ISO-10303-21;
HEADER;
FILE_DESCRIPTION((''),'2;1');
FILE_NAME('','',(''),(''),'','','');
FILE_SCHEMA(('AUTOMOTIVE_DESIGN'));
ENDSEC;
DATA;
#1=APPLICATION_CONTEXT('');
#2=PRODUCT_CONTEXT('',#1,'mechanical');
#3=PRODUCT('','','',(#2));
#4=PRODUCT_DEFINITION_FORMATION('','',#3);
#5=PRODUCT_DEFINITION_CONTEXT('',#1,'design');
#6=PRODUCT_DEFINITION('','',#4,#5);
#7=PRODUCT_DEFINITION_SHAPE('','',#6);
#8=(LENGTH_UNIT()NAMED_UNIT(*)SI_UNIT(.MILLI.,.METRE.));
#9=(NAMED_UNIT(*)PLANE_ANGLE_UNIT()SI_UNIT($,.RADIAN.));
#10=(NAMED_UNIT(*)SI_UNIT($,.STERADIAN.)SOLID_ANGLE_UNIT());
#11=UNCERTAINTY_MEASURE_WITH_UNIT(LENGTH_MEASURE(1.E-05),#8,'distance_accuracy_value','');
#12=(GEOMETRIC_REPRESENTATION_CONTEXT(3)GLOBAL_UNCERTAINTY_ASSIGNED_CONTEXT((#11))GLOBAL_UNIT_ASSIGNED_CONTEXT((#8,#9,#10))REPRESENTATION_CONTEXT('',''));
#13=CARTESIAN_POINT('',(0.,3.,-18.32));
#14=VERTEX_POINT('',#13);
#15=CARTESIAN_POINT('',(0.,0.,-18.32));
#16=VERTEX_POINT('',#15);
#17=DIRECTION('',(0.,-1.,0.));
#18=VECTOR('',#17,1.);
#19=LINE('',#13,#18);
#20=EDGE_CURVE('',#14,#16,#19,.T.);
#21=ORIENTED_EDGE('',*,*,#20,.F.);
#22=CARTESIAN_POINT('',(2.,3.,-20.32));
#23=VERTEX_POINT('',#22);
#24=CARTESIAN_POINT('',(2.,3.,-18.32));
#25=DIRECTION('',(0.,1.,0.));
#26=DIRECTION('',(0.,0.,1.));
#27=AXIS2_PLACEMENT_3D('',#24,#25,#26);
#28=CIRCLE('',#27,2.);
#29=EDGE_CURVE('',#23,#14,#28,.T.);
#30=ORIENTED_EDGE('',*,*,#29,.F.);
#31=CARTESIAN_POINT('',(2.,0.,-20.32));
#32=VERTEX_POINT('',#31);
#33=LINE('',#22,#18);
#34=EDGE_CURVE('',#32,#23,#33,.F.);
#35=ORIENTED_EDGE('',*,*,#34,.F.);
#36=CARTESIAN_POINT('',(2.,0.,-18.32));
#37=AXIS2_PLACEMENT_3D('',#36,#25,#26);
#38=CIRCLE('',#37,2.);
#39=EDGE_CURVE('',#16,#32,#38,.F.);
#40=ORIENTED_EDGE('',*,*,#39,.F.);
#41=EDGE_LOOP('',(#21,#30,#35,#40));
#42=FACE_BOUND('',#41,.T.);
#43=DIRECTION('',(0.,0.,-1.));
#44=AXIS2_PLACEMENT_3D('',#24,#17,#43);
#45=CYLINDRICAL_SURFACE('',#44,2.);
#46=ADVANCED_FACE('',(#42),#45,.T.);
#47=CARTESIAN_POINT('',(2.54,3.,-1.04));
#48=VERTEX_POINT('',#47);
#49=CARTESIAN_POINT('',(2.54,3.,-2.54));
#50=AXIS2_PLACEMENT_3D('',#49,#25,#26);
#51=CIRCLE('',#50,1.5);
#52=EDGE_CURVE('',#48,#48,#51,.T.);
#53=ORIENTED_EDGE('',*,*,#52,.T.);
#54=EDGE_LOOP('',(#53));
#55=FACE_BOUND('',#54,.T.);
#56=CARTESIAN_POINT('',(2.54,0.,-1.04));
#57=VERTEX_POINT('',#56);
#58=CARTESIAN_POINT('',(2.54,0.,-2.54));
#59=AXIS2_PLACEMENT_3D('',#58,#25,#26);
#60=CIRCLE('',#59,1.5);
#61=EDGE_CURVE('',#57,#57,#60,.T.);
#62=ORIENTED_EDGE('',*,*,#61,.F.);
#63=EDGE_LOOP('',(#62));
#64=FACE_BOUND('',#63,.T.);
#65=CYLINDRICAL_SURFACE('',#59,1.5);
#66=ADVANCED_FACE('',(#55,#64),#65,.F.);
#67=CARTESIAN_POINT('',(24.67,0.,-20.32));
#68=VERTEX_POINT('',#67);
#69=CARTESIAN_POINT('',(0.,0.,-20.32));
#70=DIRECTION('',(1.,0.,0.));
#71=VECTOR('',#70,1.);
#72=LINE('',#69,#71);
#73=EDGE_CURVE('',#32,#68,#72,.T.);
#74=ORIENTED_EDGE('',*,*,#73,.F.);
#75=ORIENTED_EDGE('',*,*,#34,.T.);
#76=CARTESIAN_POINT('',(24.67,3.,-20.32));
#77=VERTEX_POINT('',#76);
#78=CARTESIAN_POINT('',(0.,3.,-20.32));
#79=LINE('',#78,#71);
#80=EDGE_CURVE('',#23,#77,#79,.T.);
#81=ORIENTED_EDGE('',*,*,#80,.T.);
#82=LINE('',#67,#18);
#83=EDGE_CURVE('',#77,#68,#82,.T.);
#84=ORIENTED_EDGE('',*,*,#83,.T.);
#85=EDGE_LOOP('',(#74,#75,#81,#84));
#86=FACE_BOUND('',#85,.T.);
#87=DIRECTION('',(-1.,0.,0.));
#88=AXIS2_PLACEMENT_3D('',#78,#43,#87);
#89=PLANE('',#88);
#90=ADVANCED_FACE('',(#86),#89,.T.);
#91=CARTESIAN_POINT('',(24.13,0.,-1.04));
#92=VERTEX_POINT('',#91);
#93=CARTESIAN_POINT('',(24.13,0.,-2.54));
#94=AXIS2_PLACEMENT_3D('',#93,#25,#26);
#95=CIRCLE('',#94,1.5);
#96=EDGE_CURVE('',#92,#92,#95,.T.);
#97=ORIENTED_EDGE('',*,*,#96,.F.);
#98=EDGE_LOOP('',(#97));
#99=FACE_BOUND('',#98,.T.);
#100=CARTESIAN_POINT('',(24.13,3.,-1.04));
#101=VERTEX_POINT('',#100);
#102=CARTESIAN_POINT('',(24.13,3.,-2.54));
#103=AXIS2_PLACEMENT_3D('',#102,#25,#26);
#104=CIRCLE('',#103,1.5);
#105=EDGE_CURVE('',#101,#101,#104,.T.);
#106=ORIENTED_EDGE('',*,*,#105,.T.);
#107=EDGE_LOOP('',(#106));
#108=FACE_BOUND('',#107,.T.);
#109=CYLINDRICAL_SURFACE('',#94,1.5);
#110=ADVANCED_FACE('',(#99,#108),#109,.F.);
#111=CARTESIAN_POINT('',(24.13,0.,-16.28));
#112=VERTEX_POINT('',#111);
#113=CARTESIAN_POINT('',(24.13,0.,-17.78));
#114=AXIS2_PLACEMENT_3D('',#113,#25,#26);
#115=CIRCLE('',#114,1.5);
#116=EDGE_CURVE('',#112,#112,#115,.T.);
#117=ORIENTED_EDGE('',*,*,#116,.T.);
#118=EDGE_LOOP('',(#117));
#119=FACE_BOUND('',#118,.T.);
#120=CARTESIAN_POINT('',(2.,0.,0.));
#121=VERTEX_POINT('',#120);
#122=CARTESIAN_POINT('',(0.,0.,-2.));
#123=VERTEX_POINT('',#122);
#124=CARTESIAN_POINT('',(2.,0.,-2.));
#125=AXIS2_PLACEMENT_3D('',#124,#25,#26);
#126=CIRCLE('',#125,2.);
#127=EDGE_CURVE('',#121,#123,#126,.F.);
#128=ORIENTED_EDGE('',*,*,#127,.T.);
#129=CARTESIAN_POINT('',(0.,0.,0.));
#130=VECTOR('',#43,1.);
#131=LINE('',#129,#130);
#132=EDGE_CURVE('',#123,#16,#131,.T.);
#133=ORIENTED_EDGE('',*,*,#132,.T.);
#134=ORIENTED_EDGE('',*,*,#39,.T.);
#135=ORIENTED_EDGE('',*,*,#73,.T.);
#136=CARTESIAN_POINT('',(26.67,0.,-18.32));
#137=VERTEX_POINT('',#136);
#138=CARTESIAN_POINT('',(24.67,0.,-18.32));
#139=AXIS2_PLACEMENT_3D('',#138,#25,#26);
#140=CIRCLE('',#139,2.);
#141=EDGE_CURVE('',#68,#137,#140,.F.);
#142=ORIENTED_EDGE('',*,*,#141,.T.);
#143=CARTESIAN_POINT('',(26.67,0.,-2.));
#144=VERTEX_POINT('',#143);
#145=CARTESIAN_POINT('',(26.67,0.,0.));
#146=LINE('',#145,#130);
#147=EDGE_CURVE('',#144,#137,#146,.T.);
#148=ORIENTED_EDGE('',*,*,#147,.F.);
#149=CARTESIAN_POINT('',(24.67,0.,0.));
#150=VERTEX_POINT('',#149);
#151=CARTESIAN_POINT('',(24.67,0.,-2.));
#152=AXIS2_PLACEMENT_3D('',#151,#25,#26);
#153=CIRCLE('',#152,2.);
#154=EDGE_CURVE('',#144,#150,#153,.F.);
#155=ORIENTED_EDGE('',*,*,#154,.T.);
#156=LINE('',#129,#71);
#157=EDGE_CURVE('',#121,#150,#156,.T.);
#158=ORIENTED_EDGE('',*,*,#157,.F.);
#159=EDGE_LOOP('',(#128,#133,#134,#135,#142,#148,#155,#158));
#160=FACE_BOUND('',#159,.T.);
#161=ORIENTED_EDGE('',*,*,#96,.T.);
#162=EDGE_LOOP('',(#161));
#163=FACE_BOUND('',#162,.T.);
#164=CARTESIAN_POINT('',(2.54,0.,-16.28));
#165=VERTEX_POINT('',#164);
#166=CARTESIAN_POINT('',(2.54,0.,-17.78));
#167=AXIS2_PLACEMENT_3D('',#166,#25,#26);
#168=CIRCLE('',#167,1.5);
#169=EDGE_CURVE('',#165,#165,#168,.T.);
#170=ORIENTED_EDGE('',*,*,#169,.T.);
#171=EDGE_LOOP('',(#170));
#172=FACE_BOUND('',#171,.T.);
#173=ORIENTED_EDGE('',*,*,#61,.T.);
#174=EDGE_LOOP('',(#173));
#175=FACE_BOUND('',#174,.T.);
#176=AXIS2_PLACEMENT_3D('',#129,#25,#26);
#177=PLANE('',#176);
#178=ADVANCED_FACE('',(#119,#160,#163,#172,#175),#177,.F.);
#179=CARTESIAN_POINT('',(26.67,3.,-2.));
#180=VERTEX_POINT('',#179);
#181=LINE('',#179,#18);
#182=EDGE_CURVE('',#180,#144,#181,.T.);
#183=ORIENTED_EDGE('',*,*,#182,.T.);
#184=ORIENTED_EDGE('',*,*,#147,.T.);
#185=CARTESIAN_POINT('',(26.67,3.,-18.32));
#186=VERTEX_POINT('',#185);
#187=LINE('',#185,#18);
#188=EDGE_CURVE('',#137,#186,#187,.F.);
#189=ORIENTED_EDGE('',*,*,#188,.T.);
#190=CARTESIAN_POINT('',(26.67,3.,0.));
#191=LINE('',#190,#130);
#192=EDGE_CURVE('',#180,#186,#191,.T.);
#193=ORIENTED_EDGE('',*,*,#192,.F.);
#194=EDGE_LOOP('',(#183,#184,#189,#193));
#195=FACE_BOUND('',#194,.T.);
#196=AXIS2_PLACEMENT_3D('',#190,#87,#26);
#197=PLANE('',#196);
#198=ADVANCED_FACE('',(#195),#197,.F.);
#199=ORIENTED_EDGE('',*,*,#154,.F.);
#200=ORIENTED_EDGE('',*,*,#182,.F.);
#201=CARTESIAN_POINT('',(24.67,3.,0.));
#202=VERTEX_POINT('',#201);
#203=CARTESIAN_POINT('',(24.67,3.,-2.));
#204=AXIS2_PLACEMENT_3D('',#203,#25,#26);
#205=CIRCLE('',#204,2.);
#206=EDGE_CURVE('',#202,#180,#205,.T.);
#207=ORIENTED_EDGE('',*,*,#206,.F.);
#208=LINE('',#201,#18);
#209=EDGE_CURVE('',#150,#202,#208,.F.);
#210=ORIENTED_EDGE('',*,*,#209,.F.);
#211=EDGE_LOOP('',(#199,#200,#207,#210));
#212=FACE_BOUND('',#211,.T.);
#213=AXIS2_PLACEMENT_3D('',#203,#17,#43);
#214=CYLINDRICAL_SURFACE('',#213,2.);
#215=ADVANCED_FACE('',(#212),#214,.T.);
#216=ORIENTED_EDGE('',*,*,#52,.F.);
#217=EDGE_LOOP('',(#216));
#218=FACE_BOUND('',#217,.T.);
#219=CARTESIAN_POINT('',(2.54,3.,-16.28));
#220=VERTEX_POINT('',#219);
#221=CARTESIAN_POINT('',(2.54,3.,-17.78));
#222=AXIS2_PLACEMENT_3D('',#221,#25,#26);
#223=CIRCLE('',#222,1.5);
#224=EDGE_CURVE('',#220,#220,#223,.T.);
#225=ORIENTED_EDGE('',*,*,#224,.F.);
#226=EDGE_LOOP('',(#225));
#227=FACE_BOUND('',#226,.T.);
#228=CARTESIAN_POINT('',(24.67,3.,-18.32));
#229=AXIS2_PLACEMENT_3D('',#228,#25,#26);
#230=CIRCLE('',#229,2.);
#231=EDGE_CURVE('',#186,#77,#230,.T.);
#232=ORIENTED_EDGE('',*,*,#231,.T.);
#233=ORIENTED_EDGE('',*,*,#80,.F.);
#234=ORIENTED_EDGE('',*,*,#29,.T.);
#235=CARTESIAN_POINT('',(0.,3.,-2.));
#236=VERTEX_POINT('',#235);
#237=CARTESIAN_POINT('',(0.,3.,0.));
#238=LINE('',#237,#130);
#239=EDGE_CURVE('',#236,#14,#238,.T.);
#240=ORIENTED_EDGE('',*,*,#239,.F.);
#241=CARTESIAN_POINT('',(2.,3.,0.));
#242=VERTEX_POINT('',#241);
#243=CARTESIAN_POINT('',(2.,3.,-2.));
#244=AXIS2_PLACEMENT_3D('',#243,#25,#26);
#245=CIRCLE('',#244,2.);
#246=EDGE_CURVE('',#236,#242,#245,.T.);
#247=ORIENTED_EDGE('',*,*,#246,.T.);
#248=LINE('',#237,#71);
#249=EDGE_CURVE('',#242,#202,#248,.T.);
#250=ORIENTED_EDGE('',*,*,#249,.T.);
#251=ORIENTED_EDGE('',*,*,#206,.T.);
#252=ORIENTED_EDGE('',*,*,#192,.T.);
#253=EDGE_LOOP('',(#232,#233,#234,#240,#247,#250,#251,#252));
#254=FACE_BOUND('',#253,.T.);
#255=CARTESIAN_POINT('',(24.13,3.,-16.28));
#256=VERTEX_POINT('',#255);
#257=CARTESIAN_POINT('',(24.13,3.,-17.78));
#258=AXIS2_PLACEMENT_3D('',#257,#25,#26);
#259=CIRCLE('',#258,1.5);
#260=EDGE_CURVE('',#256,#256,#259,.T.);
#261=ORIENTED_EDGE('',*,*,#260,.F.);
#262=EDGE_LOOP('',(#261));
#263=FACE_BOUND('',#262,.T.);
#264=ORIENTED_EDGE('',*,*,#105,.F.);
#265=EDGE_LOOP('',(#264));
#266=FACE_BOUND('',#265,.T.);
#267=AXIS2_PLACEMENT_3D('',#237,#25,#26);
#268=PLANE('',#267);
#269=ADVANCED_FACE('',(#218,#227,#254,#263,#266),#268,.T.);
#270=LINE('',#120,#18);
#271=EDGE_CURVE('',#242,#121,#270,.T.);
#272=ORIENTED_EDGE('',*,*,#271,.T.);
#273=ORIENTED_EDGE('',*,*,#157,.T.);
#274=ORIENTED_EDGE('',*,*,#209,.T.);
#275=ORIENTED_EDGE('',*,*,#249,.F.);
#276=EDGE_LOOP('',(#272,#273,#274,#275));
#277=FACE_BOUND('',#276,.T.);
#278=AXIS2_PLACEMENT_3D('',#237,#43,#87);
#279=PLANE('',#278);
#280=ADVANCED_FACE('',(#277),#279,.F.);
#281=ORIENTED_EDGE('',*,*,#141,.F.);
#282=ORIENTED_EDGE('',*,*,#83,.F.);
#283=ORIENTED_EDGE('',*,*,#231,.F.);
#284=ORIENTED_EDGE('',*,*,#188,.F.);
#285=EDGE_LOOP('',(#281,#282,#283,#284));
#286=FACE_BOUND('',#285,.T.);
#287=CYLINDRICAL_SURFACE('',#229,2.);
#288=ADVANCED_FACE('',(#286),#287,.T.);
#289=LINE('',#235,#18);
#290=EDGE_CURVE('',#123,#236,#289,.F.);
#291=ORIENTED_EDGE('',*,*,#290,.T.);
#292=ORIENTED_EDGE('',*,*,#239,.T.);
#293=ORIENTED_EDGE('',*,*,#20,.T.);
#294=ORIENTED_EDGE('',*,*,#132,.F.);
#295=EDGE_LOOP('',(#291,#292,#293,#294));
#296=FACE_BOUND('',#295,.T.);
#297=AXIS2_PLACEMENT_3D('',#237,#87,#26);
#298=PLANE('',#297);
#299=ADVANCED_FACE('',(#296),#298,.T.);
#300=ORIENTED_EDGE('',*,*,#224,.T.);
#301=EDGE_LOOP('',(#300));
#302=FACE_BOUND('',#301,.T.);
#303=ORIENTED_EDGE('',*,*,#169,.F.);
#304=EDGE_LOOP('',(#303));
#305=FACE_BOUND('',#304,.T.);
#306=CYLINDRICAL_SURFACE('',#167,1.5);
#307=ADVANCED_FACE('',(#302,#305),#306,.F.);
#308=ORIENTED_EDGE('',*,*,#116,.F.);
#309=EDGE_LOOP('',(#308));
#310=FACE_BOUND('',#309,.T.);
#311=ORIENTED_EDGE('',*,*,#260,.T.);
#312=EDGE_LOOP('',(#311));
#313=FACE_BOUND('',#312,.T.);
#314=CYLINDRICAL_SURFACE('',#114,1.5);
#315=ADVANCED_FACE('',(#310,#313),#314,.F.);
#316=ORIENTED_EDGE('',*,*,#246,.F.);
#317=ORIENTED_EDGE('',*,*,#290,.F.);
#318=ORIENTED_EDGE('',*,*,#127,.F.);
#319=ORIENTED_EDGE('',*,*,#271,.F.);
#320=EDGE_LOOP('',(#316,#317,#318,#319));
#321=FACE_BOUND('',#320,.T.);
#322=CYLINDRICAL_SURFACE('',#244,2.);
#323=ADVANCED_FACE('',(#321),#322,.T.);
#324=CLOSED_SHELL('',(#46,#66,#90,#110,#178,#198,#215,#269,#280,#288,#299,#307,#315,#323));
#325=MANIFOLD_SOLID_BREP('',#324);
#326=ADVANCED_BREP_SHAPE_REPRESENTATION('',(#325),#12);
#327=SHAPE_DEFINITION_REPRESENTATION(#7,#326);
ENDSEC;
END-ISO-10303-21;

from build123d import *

# Parameters (mm, degrees)
CROQUIS1_W              = 26.67
CROQUIS1_H              = 20.32
SALIENTE_EXTRUIR1_DEPTH = 3
CROQUIS2_R              = 1.5
CORTAR_EXTRUIR1_DEPTH   = 34.662906886
REDONDEO1_R             = 2


with BuildPart() as part:
    # Croquis1 → Saliente-Extruir1 (new body)
    with BuildSketch(Plane(origin=(0, 0, 0), x_dir=(1, 0, 0), z_dir=(0, 1, 0))):
        with Locations((13.335, 10.16)):
            Rectangle(CROQUIS1_W, CROQUIS1_H)
    extrude(amount=SALIENTE_EXTRUIR1_DEPTH)

    # Croquis2 → Cortar-Extruir1 (cut, through all)
    with BuildSketch(Plane(origin=(0, 3, 0), x_dir=(1, 0, 0), z_dir=(0, 1, 0))):
        with Locations(Location((24.13, 2.54, 0), (0, 0, 270))):
            Circle(CROQUIS2_R)
        with Locations(Location((2.54, 2.54, 0), (0, 0, 270))):
            Circle(CROQUIS2_R)
        with Locations(Location((2.54, 17.78, 0), (0, 0, 270))):
            Circle(CROQUIS2_R)
        with Locations(Location((24.13, 17.78, 0), (0, 0, 270))):
            Circle(CROQUIS2_R)
    extrude(amount=-CORTAR_EXTRUIR1_DEPTH, mode=Mode.SUBTRACT)

    # Redondeo1
    redondeo1_edges = [part.edges().sort_by_distance(p)[0] for p in [
        (0, 1.5, -20.32),
        (0, 1.5, 0),
        (26.67, 1.5, 0),
        (26.67, 1.5, -20.32),
    ]]
    fillet(redondeo1_edges, radius=REDONDEO1_R)


solid = part.part
